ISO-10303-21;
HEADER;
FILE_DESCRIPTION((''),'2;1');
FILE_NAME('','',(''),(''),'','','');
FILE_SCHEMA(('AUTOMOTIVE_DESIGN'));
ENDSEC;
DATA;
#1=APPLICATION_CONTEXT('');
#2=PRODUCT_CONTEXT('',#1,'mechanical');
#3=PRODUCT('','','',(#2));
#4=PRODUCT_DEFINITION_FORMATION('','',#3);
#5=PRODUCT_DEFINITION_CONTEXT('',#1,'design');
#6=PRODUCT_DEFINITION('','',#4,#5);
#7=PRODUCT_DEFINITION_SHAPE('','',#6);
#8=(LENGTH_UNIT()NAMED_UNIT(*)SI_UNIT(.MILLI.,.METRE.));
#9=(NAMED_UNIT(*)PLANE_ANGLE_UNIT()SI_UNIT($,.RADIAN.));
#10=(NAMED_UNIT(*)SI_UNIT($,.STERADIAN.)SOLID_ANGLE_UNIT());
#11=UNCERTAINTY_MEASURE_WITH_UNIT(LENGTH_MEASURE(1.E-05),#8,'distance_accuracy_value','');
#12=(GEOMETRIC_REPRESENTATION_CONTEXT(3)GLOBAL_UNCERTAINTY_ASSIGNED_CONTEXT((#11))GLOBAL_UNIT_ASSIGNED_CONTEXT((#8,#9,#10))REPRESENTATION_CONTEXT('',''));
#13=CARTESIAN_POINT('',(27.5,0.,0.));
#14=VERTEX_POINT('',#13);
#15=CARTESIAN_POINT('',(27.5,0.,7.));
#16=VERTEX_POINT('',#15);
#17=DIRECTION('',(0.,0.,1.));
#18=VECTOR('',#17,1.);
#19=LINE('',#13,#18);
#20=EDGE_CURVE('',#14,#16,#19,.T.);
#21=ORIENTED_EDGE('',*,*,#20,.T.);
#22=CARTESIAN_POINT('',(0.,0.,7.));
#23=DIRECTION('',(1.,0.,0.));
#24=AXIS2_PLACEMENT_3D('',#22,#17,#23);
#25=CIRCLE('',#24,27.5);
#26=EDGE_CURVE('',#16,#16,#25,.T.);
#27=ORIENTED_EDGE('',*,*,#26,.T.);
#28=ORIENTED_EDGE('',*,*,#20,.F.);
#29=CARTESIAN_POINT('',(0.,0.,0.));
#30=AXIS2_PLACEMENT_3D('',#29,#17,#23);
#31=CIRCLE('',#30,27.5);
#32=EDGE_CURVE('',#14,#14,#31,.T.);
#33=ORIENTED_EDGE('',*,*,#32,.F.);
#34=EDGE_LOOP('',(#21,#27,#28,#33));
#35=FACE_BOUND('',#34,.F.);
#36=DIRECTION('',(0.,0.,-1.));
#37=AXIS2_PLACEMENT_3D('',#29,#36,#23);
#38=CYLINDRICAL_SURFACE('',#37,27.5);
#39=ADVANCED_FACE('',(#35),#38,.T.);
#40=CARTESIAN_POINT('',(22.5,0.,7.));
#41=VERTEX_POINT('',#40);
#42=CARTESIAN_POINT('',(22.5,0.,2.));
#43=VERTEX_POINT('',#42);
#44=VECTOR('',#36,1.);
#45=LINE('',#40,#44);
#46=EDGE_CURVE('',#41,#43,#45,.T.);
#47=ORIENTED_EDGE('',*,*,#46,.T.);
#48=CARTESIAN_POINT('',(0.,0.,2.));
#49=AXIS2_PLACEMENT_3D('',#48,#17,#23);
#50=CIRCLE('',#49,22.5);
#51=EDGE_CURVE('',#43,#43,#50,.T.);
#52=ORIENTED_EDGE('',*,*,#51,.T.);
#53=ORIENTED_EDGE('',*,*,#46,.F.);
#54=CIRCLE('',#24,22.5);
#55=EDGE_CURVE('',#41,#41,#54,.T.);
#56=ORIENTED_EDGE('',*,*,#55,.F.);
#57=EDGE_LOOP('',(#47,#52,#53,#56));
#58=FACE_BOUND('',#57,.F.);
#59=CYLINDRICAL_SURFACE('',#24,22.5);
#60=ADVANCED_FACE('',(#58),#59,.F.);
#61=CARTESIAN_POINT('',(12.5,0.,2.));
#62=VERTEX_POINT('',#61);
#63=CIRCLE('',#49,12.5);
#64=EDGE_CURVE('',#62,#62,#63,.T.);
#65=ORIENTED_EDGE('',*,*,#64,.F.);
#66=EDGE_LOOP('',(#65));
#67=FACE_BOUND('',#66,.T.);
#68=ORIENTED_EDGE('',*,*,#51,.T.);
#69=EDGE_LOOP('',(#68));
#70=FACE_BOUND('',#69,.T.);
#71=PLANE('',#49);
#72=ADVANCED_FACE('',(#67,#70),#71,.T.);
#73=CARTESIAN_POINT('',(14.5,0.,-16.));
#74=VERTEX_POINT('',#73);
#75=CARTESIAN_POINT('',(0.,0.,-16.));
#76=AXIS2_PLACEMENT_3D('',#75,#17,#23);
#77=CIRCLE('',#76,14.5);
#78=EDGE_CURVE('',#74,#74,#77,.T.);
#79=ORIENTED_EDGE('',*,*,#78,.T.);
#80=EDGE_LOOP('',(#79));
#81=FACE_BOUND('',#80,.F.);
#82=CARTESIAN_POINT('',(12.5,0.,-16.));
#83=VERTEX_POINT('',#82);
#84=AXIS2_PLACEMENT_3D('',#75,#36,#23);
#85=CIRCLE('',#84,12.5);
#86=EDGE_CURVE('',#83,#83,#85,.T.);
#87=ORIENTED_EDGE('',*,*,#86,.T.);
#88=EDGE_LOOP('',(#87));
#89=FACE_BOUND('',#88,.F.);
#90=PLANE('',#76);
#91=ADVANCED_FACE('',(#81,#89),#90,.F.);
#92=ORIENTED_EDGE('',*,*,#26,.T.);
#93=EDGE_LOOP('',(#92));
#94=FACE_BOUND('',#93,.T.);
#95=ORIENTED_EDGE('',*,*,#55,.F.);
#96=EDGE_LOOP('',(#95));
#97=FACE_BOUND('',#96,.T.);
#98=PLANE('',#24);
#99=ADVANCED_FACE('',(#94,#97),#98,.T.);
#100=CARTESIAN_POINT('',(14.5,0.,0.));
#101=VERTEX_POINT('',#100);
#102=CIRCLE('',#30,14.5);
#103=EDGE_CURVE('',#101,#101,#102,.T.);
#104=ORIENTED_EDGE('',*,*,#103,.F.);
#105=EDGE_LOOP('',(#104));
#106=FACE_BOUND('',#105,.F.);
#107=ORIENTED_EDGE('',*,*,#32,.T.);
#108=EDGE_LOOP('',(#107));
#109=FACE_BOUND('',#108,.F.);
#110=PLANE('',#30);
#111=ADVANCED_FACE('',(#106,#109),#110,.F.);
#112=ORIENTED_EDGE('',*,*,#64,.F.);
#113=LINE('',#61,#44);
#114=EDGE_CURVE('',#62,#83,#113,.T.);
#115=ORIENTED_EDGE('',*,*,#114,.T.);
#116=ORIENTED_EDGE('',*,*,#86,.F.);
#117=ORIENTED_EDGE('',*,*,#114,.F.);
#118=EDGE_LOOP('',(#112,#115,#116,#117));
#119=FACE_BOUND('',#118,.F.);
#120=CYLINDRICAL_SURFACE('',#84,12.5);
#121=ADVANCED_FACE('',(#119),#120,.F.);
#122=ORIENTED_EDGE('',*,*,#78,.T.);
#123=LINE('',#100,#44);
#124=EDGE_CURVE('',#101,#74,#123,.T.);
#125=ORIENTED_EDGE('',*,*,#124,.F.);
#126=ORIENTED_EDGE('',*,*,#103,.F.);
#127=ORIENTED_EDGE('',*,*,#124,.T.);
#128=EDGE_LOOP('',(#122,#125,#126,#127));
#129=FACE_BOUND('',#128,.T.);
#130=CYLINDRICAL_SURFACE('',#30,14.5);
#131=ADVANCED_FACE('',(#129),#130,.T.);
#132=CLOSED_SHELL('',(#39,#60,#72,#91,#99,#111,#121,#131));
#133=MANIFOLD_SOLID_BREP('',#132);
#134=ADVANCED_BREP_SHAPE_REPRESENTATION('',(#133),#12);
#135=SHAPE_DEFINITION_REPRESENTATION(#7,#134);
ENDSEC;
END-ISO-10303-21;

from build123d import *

# Parameters (mm, degrees)
SKETCH_R        = 27.5
PAD_DEPTH       = 7
SKETCH001_R     = 12.5
POCKET_DEPTH    = 7.001
SKETCH002_R     = 22.5
POCKET001_DEPTH = 5
SKETCH003_R     = 14.5
PAD001_DEPTH    = 16
SKETCH004_R     = 12.5
POCKET002_DEPTH = 23.001


with BuildPart() as part:
    # Sketch → Pad (new body)
    with BuildSketch(Plane.XY):
        Circle(SKETCH_R)
    extrude(amount=PAD_DEPTH)

    # Sketch001 (on Face3 of Pad) → Pocket (cut, through all)
    with BuildSketch(Plane.XY.offset(7)):
        Circle(SKETCH001_R)
    extrude(amount=-POCKET_DEPTH, mode=Mode.SUBTRACT)

    # Sketch002 (on Face3 of Pocket) → Pocket001 (cut)
    with BuildSketch(Plane.XY.offset(7)):
        Circle(SKETCH002_R)
    extrude(amount=-POCKET001_DEPTH, mode=Mode.SUBTRACT)

    # Sketch003 → Pad001 (join)
    with BuildSketch(Plane.XY):
        Circle(SKETCH003_R)
    extrude(amount=-PAD001_DEPTH)

    # Sketch004 (on Face6 of Pad001) → Pocket002 (cut, through all)
    with BuildSketch(Plane(origin=(0, 0, -16), x_dir=(1, 0, 0), z_dir=(0, 0, -1))):
        Circle(SKETCH004_R)
    extrude(amount=-POCKET002_DEPTH, mode=Mode.SUBTRACT)


solid = part.part
